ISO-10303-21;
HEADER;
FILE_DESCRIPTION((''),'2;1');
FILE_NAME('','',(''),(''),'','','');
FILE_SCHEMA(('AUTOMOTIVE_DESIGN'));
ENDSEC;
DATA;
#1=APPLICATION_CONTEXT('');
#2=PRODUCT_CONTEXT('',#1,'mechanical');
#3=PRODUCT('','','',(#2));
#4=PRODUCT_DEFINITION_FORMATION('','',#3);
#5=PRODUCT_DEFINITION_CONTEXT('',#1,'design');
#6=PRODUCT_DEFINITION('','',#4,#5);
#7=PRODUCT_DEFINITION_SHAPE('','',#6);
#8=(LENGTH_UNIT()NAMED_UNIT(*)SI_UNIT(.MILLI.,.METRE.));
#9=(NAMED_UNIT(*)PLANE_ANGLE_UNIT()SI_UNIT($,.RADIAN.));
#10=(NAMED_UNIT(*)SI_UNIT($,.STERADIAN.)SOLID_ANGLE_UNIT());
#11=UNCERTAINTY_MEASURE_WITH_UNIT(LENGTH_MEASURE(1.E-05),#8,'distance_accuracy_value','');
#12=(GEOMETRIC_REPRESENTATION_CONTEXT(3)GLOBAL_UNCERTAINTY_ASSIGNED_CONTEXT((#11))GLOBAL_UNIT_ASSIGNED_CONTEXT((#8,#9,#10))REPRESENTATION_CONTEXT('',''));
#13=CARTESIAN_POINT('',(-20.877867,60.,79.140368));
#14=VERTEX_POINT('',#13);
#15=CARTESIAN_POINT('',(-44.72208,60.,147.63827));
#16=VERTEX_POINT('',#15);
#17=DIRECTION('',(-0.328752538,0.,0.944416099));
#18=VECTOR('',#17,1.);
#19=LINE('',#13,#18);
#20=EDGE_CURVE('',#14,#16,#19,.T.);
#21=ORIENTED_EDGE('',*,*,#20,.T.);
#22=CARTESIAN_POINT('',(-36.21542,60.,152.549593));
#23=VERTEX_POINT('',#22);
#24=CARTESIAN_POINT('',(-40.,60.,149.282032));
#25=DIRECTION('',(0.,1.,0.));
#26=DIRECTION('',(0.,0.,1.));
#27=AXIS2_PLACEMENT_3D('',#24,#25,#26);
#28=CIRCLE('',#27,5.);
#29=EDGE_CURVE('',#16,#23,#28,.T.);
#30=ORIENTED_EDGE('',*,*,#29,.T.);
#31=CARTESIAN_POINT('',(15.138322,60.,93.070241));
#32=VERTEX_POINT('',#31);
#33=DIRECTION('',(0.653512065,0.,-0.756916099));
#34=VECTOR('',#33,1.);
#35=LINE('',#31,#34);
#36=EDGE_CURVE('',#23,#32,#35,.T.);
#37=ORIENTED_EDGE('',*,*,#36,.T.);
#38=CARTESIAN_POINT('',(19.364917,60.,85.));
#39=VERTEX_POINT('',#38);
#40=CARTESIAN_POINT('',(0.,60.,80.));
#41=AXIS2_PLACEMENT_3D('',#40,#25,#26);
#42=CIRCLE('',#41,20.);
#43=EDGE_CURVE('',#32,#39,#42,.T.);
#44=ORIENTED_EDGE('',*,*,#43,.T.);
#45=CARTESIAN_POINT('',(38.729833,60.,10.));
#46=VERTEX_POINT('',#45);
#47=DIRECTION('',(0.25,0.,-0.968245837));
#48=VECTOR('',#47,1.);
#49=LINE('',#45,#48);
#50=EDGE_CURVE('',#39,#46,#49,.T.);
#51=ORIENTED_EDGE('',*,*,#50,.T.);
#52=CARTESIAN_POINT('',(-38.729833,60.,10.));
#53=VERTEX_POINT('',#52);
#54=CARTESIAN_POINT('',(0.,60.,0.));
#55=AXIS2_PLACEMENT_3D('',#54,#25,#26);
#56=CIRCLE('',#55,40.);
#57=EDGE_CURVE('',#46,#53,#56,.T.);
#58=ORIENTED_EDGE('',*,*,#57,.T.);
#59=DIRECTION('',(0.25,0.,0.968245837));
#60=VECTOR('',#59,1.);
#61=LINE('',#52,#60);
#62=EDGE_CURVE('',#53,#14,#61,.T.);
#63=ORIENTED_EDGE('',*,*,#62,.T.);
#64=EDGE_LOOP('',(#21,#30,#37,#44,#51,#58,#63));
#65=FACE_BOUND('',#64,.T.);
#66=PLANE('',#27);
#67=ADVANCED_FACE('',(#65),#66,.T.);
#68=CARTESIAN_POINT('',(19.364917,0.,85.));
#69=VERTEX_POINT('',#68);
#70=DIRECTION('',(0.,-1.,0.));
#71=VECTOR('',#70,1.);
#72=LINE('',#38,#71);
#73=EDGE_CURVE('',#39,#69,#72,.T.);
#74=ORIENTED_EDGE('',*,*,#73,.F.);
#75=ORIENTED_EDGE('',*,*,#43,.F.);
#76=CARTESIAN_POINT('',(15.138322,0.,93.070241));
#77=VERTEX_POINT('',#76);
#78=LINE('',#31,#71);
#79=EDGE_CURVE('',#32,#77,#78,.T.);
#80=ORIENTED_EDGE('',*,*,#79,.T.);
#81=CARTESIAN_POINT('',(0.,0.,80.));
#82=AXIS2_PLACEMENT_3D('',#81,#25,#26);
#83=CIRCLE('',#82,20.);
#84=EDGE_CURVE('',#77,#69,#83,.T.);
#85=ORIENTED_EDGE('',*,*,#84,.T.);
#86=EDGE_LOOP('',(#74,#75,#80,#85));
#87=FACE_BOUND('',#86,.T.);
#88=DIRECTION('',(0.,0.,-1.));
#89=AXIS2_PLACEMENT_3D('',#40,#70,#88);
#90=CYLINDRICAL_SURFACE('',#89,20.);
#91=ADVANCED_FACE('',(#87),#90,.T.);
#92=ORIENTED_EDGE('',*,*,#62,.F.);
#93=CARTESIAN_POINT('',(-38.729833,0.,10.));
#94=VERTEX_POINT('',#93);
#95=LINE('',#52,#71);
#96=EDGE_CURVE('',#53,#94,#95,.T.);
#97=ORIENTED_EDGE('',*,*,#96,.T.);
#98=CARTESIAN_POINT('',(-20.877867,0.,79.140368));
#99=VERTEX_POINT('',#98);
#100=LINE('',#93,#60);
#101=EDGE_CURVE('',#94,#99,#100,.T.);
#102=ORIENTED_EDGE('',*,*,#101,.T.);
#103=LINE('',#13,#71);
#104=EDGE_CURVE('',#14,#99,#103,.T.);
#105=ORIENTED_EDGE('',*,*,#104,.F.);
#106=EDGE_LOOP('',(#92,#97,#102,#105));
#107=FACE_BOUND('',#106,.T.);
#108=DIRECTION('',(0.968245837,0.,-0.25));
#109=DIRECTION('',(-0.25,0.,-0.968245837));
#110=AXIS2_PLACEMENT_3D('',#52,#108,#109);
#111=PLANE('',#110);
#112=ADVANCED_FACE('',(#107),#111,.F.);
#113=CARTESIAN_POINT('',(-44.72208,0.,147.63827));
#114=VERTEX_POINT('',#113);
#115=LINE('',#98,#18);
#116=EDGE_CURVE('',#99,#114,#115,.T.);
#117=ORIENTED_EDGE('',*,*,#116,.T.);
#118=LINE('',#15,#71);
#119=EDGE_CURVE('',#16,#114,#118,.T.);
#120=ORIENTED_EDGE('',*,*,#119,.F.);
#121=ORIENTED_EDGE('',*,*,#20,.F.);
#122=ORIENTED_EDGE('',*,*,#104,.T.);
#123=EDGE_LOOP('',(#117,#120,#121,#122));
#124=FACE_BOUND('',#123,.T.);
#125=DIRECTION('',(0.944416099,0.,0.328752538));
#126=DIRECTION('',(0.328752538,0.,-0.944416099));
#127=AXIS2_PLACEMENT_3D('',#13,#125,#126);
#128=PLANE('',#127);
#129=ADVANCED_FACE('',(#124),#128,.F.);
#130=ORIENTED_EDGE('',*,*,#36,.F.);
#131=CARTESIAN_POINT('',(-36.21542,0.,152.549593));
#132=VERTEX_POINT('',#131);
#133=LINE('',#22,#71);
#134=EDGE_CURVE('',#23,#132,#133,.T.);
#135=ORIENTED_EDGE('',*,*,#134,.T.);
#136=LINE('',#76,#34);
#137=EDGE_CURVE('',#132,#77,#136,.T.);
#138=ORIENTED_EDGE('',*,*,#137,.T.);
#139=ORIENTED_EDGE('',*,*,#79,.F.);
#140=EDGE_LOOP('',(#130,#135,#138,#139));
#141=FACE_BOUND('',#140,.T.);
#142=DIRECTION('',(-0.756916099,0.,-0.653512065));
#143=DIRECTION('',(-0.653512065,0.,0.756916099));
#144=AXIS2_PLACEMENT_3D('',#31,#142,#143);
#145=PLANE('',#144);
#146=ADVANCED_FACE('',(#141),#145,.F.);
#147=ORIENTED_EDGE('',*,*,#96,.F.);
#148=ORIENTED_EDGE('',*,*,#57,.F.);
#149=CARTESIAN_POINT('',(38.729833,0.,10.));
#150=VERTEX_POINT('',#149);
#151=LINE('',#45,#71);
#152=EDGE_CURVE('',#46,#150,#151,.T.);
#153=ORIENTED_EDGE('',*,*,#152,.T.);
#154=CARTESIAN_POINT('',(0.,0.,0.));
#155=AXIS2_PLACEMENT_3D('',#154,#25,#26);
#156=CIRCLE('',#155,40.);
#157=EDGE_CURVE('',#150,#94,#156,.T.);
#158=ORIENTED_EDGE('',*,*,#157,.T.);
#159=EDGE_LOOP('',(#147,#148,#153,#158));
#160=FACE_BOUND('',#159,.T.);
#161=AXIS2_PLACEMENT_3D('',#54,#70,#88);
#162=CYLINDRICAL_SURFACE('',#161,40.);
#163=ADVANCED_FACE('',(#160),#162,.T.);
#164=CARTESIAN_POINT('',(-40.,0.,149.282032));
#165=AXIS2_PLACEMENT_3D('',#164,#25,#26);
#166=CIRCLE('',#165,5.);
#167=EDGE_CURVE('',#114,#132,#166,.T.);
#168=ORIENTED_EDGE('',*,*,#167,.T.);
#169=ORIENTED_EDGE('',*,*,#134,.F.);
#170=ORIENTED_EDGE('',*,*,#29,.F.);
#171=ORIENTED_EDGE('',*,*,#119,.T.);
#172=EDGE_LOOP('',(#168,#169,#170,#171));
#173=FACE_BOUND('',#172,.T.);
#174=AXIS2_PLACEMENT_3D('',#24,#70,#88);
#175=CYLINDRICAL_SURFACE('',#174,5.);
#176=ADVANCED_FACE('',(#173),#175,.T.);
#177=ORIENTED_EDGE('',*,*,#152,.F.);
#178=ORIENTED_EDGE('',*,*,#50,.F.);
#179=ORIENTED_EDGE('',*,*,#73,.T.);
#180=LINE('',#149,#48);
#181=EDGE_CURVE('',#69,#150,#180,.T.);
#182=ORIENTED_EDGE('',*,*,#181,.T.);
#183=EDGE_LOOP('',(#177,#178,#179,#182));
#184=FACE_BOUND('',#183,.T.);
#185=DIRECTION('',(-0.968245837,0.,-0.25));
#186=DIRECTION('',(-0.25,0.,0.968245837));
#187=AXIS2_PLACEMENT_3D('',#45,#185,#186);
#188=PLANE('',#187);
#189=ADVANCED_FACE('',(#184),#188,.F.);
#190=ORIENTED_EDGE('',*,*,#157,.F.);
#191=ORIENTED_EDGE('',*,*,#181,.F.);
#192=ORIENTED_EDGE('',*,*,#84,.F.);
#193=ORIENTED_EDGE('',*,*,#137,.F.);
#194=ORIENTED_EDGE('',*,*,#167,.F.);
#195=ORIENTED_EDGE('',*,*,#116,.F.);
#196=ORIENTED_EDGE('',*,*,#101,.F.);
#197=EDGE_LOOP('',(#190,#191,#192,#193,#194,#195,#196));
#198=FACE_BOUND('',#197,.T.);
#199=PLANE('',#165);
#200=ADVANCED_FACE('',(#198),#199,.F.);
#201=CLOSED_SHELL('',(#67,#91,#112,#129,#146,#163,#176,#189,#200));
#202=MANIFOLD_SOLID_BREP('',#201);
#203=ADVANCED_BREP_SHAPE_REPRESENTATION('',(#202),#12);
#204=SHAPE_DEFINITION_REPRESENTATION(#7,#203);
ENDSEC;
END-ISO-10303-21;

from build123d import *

# Parameters (mm, degrees)
BOSS_EXTRUDE1_DEPTH = 60


with BuildPart() as part:
    # Sketch1 → Boss-Extrude1 (new body)
    with BuildSketch(Plane(origin=(0, 0, 0), x_dir=(1, 0, 0), z_dir=(0, 1, 0))):
        with BuildLine():
            Line((-38.729833462, -10), (-20.877867157, -79.140368196))
            Line((-20.877867157, -79.140368196), (-44.722080497, -147.638269612))
            ThreePointArc((-44.722080497, -147.638269612), (-42.5, -153.612159322), (-36.215419503, -152.549592626))
            Line((-36.215419503, -152.549592626), (15.138321986, -93.070241293))
            ThreePointArc((15.138321986, -93.070241293), (17.71723932, -89.278977901), (19.364916731, -85))
            Line((19.364916731, -85), (38.729833462, -10))
            ThreePointArc((38.729833462, -10), (0, 40), (-38.729833462, -10))
        make_face()
    extrude(amount=BOSS_EXTRUDE1_DEPTH)


solid = part.part
